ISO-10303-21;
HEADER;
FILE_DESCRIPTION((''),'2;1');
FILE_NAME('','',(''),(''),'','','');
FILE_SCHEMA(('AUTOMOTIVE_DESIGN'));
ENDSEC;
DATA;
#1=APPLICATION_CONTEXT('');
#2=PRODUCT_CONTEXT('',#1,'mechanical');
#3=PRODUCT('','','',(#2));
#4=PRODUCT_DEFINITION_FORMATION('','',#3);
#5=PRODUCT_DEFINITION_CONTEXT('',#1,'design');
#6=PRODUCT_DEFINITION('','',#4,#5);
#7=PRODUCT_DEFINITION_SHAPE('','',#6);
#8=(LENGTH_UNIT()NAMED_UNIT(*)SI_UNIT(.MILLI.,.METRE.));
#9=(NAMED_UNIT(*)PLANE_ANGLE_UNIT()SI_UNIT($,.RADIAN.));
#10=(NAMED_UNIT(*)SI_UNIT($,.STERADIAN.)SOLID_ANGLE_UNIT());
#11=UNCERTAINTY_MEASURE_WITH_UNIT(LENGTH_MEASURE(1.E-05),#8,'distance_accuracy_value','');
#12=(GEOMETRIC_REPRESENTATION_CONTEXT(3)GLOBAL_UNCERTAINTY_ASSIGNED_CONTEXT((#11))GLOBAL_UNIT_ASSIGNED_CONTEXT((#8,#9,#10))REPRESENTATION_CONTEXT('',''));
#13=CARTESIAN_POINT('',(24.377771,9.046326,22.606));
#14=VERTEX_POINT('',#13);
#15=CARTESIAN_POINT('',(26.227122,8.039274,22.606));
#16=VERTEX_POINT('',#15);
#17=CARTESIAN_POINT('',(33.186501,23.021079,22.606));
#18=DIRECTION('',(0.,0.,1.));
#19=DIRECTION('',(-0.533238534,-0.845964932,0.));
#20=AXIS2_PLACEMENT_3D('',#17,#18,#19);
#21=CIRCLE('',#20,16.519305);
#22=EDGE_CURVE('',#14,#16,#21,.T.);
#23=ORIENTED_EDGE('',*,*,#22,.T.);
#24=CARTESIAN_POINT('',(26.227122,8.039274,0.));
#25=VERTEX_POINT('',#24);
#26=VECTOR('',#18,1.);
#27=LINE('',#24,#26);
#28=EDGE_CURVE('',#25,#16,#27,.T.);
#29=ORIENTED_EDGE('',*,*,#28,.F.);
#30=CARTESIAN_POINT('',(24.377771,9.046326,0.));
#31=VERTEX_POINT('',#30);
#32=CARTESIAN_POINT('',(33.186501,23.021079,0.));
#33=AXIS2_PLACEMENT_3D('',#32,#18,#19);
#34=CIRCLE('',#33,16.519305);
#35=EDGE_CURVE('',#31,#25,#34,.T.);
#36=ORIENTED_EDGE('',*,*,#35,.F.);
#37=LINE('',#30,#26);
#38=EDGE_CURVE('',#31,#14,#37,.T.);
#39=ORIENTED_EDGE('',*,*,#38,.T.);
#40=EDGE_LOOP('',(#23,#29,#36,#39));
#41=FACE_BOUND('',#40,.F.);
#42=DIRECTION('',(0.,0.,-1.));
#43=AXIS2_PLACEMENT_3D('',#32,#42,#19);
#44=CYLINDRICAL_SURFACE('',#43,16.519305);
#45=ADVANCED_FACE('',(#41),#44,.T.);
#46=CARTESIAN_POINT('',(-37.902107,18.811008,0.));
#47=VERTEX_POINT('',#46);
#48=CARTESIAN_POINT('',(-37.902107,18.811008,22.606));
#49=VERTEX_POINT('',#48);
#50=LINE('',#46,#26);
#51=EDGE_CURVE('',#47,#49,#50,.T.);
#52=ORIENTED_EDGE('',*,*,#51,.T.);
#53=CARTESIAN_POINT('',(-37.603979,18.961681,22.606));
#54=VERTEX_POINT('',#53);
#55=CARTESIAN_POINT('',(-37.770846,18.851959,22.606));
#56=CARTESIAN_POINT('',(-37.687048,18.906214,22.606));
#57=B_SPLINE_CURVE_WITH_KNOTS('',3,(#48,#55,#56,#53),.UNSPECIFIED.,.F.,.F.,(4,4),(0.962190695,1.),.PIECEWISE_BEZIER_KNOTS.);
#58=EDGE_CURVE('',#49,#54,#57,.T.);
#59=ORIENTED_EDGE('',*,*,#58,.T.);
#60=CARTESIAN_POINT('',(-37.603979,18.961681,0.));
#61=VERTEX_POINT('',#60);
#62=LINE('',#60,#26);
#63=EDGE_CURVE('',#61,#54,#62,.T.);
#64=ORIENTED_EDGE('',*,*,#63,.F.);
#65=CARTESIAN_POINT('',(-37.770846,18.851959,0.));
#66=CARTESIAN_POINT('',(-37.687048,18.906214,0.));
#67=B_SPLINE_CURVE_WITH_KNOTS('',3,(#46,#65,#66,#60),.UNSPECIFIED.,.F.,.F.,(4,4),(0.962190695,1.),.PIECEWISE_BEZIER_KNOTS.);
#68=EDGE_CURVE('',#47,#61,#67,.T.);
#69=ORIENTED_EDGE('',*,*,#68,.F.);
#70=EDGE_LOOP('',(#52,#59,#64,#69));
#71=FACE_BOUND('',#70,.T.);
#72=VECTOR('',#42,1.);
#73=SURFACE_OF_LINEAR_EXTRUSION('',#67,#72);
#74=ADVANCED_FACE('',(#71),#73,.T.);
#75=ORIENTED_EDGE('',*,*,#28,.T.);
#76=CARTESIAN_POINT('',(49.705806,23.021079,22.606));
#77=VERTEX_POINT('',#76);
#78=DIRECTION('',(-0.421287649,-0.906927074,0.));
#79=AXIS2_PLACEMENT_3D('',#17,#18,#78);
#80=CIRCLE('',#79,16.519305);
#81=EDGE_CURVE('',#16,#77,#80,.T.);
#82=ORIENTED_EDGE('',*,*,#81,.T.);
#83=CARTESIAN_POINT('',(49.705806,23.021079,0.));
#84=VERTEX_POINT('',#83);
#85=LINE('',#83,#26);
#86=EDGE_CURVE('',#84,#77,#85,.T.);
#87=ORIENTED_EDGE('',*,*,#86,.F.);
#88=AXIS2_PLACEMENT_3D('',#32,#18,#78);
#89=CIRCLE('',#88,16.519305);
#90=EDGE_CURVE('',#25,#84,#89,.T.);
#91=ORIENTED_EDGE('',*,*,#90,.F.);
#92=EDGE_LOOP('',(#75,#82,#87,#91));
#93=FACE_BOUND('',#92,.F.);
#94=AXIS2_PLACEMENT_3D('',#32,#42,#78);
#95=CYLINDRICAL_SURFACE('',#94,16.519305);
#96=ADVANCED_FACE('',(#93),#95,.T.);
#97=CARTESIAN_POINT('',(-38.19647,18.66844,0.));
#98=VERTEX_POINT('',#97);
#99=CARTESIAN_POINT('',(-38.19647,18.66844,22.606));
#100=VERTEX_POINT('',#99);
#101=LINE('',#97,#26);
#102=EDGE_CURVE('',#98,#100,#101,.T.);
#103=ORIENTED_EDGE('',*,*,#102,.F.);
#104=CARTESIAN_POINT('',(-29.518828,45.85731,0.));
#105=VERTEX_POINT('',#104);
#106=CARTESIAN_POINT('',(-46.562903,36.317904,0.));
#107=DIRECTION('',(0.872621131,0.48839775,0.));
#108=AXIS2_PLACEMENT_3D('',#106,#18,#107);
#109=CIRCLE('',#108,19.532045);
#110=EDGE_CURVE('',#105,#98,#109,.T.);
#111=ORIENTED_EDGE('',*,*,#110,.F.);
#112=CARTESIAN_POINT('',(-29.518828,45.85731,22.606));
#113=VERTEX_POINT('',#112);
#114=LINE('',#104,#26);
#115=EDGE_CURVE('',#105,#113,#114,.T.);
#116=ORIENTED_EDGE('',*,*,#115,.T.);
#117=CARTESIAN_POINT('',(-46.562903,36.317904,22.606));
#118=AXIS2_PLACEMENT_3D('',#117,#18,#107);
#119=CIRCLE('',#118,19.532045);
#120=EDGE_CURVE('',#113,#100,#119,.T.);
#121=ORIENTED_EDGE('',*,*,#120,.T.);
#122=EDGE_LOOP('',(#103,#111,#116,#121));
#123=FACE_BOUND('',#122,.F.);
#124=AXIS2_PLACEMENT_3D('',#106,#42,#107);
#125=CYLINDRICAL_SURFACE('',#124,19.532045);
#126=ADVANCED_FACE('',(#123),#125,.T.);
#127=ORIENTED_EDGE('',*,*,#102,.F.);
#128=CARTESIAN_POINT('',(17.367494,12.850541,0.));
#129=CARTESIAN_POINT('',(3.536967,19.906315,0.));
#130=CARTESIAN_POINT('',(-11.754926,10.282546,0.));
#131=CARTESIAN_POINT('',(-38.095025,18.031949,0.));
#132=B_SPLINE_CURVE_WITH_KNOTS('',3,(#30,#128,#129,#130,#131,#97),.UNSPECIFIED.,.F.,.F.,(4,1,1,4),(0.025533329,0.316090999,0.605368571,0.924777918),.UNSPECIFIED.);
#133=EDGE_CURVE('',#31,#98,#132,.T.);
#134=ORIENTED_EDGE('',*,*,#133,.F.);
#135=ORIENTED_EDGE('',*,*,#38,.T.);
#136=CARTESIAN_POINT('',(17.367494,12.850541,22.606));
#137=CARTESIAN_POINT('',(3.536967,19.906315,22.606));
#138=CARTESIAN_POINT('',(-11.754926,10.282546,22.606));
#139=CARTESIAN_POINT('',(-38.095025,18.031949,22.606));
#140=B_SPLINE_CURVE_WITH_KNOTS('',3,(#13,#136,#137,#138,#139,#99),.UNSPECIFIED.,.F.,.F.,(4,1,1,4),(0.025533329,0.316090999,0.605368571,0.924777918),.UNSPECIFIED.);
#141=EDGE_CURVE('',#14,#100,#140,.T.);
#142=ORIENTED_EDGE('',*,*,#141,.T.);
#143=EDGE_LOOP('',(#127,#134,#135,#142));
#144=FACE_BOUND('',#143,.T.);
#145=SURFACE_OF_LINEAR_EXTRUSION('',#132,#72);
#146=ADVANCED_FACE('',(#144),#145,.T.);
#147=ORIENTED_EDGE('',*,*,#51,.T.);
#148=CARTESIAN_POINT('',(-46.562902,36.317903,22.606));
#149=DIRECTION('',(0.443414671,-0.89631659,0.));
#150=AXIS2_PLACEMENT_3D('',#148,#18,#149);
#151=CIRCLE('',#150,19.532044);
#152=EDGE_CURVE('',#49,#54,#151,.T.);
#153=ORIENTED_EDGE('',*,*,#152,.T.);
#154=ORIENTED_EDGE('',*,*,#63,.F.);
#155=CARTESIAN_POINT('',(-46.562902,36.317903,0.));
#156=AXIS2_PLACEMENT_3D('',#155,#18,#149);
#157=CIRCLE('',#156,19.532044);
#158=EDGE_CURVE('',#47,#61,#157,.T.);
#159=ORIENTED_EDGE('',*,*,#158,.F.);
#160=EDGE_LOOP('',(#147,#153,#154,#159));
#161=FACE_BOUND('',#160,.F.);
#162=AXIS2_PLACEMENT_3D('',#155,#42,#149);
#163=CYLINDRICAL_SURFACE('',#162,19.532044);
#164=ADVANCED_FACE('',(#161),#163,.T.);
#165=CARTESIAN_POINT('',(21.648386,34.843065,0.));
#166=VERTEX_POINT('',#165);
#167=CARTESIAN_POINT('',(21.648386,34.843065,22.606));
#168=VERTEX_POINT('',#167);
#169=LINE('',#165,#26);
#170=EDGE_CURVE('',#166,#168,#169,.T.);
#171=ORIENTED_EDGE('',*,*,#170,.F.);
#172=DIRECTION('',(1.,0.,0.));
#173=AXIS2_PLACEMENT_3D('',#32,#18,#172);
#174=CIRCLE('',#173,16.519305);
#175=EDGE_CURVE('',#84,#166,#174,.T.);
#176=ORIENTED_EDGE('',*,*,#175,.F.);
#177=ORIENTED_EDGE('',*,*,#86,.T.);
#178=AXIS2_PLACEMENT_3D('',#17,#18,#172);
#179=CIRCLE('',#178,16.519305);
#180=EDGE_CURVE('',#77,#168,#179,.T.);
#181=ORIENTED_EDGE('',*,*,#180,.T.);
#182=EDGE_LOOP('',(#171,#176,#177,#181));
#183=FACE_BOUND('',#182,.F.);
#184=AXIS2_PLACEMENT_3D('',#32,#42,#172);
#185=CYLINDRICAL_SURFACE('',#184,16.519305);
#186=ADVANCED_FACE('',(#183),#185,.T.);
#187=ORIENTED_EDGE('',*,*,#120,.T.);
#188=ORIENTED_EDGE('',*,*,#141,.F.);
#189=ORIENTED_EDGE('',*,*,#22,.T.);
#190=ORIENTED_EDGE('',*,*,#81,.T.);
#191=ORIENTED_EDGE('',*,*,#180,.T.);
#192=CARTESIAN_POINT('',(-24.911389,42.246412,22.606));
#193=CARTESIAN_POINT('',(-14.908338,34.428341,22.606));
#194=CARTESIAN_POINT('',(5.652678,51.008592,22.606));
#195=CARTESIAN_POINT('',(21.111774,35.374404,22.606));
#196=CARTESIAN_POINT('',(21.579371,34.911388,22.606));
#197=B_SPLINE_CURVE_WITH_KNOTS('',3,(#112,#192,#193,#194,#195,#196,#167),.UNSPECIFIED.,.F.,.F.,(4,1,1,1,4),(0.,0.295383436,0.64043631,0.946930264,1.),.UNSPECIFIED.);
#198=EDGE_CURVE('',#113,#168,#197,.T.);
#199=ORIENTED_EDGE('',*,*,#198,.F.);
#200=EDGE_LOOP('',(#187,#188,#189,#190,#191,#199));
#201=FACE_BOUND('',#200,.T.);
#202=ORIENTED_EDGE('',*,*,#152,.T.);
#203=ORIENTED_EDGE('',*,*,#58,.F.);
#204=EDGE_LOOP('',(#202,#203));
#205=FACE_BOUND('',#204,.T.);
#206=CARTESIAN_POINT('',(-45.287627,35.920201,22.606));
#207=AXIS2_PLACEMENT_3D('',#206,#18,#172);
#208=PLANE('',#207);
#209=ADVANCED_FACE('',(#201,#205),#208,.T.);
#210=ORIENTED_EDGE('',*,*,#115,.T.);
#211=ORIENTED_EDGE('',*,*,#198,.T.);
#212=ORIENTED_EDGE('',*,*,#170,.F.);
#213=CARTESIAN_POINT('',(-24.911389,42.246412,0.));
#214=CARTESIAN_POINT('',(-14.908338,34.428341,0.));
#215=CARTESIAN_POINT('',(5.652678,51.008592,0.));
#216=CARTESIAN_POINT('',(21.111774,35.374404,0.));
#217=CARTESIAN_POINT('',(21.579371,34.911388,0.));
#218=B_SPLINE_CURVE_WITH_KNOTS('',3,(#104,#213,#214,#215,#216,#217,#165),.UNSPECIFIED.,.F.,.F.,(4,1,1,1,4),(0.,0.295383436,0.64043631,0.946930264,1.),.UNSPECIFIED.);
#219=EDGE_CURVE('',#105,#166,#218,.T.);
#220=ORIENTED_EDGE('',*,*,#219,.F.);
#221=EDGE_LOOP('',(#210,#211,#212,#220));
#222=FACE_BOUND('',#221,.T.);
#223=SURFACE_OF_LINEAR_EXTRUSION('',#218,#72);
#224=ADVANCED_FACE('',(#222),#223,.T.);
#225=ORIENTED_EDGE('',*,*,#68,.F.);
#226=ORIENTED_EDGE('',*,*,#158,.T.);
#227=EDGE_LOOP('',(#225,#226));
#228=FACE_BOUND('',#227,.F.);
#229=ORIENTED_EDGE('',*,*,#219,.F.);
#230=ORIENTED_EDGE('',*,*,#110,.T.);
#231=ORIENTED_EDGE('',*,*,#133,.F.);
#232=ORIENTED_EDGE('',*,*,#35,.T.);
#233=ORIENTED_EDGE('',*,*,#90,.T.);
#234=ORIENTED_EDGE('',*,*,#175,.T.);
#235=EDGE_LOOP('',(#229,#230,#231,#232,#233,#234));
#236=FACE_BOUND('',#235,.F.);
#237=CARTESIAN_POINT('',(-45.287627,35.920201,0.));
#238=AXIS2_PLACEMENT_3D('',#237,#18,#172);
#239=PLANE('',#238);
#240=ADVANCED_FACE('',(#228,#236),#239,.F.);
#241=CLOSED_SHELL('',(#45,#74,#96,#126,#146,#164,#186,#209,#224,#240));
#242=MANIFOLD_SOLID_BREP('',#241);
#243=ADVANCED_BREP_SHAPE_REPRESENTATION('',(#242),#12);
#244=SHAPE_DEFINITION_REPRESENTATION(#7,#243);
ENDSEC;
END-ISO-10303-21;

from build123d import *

# Parameters (mm, degrees)
F1_DEPTH = 22.606


with BuildPart() as f1:
    # F0 (on Top) → F1 (new body)
    with BuildSketch(Plane.XY):
        with BuildLine():
            ThreePointArc((-37.6039792391, 18.9616810435), (-29.8822722521, 26.1563417507), (-27.0308579859, 36.3179035485))
            ThreePointArc((-27.0308579859, 36.3179035485), (-27.6630825304, 41.2471599002), (-29.5188277427, 45.8573101973))
            ThreePointArc((-29.5188277427, 45.8573101973), (-65.1702168337, 42.2566429818), (-38.1964700726, 18.6684396975))
            add(Edge.make_bspline(
                [(-38.1964700726, 18.6684396975), (-38.2083524324, 18.7429925698), (-38.0319928053, 18.7704865981), (-37.9021074771, 18.811007899)],
                knots=[0.9247779179, 0.9247779179, 0.9247779179, 0.9247779179, 0.9621906948, 0.9621906948, 0.9621906948, 0.9621906948], degree=3))
            ThreePointArc((-37.9021074771, 18.811007899), (-37.7527212477, 18.8857071299), (-37.6039792391, 18.9616810435))
        make_face()
        with BuildLine():
            ThreePointArc((-29.5188277427, 45.8573101973), (-27.6630825304, 41.2471599002), (-27.0308579859, 36.3179035485))
            ThreePointArc((-27.0308579859, 36.3179035485), (-29.8822722521, 26.1563417507), (-37.6039792391, 18.9616810435))
            add(Edge.make_bspline(
                [(-37.9021074771, 18.811007899), (-37.7708455284, 18.8519586744), (-37.6870482371, 18.9062143311), (-37.6039792391, 18.9616810435)],
                knots=[0.9621906948, 0.9621906948, 0.9621906948, 0.9621906948, 1, 1, 1, 1], degree=3))
            ThreePointArc((-37.9021074771, 18.811007899), (-38.0489903508, 18.7391076379), (-38.1964700726, 18.6684396975))
            add(Edge.make_bspline(
                [(24.3777711193, 9.0463263689), (17.3674942299, 12.8505405604), (3.5369666325, 19.9063153535), (-11.7549260328, 10.2825463669), (-38.0950251355, 18.0319490066), (-38.1964700726, 18.6684396975)],
                knots=[0.0255333288, 0.0255333288, 0.0255333288, 0.0255333288, 0.3160909993, 0.6053685705, 0.9247779179, 0.9247779179, 0.9247779179, 0.9247779179], degree=3))
            ThreePointArc((24.3777711193, 9.0463263689), (16.7588886559, 21.282980543), (21.6483864933, 34.8430648446))
            add(Edge.make_bspline(
                [(-29.5188277427, 45.8573101973), (-24.9113893194, 42.2464117702), (-14.908337799, 34.4283406443), (5.6526779194, 51.0085921582), (21.1117736022, 35.3744040011), (21.5793714014, 34.911388117), (21.6483864933, 34.8430648446)],
                knots=[0, 0, 0, 0, 0.2953834357, 0.6404363104, 0.9469302642, 1, 1, 1, 1], degree=3))
        make_face()
        with BuildLine():
            add(Edge.make_bspline(
                [(-38.1964700726, 18.6684396975), (-38.2083524324, 18.7429925698), (-38.0319928053, 18.7704865981), (-37.9021074771, 18.811007899)],
                knots=[0.9247779179, 0.9247779179, 0.9247779179, 0.9247779179, 0.9621906948, 0.9621906948, 0.9621906948, 0.9621906948], degree=3))
            ThreePointArc((-38.1964700726, 18.6684396975), (-38.0489903508, 18.7391076379), (-37.9021074771, 18.811007899))
        make_face()
        with BuildLine():
            ThreePointArc((49.7058060089, 23.0210790546), (39.6007743191, 38.2442368897), (21.6483864933, 34.8430648446))
            ThreePointArc((21.6483864933, 34.8430648446), (16.7588886559, 21.282980543), (24.3777711193, 9.0463263689))
            add(Edge.make_bspline(
                [(26.2271219256, 8.0392741609), (25.6104707837, 8.3756469585), (24.9938130366, 8.7120235387), (24.3777711193, 9.0463263689)],
                knots=[0, 0, 0, 0, 0.0255333288, 0.0255333288, 0.0255333288, 0.0255333288], degree=3))
            ThreePointArc((26.2271219256, 8.0392741609), (42.0725386975, 9.0953556967), (49.7058060089, 23.0210790546))
        make_face()
        with BuildLine():
            add(Edge.make_bspline(
                [(26.2271219256, 8.0392741609), (25.6104707837, 8.3756469585), (24.9938130366, 8.7120235387), (24.3777711193, 9.0463263689)],
                knots=[0, 0, 0, 0, 0.0255333288, 0.0255333288, 0.0255333288, 0.0255333288], degree=3))
            ThreePointArc((24.3777711193, 9.0463263689), (25.2863836882, 8.513302474), (26.2271219256, 8.0392741609))
        make_face()
    extrude(amount=F1_DEPTH)


solid = f1.part
